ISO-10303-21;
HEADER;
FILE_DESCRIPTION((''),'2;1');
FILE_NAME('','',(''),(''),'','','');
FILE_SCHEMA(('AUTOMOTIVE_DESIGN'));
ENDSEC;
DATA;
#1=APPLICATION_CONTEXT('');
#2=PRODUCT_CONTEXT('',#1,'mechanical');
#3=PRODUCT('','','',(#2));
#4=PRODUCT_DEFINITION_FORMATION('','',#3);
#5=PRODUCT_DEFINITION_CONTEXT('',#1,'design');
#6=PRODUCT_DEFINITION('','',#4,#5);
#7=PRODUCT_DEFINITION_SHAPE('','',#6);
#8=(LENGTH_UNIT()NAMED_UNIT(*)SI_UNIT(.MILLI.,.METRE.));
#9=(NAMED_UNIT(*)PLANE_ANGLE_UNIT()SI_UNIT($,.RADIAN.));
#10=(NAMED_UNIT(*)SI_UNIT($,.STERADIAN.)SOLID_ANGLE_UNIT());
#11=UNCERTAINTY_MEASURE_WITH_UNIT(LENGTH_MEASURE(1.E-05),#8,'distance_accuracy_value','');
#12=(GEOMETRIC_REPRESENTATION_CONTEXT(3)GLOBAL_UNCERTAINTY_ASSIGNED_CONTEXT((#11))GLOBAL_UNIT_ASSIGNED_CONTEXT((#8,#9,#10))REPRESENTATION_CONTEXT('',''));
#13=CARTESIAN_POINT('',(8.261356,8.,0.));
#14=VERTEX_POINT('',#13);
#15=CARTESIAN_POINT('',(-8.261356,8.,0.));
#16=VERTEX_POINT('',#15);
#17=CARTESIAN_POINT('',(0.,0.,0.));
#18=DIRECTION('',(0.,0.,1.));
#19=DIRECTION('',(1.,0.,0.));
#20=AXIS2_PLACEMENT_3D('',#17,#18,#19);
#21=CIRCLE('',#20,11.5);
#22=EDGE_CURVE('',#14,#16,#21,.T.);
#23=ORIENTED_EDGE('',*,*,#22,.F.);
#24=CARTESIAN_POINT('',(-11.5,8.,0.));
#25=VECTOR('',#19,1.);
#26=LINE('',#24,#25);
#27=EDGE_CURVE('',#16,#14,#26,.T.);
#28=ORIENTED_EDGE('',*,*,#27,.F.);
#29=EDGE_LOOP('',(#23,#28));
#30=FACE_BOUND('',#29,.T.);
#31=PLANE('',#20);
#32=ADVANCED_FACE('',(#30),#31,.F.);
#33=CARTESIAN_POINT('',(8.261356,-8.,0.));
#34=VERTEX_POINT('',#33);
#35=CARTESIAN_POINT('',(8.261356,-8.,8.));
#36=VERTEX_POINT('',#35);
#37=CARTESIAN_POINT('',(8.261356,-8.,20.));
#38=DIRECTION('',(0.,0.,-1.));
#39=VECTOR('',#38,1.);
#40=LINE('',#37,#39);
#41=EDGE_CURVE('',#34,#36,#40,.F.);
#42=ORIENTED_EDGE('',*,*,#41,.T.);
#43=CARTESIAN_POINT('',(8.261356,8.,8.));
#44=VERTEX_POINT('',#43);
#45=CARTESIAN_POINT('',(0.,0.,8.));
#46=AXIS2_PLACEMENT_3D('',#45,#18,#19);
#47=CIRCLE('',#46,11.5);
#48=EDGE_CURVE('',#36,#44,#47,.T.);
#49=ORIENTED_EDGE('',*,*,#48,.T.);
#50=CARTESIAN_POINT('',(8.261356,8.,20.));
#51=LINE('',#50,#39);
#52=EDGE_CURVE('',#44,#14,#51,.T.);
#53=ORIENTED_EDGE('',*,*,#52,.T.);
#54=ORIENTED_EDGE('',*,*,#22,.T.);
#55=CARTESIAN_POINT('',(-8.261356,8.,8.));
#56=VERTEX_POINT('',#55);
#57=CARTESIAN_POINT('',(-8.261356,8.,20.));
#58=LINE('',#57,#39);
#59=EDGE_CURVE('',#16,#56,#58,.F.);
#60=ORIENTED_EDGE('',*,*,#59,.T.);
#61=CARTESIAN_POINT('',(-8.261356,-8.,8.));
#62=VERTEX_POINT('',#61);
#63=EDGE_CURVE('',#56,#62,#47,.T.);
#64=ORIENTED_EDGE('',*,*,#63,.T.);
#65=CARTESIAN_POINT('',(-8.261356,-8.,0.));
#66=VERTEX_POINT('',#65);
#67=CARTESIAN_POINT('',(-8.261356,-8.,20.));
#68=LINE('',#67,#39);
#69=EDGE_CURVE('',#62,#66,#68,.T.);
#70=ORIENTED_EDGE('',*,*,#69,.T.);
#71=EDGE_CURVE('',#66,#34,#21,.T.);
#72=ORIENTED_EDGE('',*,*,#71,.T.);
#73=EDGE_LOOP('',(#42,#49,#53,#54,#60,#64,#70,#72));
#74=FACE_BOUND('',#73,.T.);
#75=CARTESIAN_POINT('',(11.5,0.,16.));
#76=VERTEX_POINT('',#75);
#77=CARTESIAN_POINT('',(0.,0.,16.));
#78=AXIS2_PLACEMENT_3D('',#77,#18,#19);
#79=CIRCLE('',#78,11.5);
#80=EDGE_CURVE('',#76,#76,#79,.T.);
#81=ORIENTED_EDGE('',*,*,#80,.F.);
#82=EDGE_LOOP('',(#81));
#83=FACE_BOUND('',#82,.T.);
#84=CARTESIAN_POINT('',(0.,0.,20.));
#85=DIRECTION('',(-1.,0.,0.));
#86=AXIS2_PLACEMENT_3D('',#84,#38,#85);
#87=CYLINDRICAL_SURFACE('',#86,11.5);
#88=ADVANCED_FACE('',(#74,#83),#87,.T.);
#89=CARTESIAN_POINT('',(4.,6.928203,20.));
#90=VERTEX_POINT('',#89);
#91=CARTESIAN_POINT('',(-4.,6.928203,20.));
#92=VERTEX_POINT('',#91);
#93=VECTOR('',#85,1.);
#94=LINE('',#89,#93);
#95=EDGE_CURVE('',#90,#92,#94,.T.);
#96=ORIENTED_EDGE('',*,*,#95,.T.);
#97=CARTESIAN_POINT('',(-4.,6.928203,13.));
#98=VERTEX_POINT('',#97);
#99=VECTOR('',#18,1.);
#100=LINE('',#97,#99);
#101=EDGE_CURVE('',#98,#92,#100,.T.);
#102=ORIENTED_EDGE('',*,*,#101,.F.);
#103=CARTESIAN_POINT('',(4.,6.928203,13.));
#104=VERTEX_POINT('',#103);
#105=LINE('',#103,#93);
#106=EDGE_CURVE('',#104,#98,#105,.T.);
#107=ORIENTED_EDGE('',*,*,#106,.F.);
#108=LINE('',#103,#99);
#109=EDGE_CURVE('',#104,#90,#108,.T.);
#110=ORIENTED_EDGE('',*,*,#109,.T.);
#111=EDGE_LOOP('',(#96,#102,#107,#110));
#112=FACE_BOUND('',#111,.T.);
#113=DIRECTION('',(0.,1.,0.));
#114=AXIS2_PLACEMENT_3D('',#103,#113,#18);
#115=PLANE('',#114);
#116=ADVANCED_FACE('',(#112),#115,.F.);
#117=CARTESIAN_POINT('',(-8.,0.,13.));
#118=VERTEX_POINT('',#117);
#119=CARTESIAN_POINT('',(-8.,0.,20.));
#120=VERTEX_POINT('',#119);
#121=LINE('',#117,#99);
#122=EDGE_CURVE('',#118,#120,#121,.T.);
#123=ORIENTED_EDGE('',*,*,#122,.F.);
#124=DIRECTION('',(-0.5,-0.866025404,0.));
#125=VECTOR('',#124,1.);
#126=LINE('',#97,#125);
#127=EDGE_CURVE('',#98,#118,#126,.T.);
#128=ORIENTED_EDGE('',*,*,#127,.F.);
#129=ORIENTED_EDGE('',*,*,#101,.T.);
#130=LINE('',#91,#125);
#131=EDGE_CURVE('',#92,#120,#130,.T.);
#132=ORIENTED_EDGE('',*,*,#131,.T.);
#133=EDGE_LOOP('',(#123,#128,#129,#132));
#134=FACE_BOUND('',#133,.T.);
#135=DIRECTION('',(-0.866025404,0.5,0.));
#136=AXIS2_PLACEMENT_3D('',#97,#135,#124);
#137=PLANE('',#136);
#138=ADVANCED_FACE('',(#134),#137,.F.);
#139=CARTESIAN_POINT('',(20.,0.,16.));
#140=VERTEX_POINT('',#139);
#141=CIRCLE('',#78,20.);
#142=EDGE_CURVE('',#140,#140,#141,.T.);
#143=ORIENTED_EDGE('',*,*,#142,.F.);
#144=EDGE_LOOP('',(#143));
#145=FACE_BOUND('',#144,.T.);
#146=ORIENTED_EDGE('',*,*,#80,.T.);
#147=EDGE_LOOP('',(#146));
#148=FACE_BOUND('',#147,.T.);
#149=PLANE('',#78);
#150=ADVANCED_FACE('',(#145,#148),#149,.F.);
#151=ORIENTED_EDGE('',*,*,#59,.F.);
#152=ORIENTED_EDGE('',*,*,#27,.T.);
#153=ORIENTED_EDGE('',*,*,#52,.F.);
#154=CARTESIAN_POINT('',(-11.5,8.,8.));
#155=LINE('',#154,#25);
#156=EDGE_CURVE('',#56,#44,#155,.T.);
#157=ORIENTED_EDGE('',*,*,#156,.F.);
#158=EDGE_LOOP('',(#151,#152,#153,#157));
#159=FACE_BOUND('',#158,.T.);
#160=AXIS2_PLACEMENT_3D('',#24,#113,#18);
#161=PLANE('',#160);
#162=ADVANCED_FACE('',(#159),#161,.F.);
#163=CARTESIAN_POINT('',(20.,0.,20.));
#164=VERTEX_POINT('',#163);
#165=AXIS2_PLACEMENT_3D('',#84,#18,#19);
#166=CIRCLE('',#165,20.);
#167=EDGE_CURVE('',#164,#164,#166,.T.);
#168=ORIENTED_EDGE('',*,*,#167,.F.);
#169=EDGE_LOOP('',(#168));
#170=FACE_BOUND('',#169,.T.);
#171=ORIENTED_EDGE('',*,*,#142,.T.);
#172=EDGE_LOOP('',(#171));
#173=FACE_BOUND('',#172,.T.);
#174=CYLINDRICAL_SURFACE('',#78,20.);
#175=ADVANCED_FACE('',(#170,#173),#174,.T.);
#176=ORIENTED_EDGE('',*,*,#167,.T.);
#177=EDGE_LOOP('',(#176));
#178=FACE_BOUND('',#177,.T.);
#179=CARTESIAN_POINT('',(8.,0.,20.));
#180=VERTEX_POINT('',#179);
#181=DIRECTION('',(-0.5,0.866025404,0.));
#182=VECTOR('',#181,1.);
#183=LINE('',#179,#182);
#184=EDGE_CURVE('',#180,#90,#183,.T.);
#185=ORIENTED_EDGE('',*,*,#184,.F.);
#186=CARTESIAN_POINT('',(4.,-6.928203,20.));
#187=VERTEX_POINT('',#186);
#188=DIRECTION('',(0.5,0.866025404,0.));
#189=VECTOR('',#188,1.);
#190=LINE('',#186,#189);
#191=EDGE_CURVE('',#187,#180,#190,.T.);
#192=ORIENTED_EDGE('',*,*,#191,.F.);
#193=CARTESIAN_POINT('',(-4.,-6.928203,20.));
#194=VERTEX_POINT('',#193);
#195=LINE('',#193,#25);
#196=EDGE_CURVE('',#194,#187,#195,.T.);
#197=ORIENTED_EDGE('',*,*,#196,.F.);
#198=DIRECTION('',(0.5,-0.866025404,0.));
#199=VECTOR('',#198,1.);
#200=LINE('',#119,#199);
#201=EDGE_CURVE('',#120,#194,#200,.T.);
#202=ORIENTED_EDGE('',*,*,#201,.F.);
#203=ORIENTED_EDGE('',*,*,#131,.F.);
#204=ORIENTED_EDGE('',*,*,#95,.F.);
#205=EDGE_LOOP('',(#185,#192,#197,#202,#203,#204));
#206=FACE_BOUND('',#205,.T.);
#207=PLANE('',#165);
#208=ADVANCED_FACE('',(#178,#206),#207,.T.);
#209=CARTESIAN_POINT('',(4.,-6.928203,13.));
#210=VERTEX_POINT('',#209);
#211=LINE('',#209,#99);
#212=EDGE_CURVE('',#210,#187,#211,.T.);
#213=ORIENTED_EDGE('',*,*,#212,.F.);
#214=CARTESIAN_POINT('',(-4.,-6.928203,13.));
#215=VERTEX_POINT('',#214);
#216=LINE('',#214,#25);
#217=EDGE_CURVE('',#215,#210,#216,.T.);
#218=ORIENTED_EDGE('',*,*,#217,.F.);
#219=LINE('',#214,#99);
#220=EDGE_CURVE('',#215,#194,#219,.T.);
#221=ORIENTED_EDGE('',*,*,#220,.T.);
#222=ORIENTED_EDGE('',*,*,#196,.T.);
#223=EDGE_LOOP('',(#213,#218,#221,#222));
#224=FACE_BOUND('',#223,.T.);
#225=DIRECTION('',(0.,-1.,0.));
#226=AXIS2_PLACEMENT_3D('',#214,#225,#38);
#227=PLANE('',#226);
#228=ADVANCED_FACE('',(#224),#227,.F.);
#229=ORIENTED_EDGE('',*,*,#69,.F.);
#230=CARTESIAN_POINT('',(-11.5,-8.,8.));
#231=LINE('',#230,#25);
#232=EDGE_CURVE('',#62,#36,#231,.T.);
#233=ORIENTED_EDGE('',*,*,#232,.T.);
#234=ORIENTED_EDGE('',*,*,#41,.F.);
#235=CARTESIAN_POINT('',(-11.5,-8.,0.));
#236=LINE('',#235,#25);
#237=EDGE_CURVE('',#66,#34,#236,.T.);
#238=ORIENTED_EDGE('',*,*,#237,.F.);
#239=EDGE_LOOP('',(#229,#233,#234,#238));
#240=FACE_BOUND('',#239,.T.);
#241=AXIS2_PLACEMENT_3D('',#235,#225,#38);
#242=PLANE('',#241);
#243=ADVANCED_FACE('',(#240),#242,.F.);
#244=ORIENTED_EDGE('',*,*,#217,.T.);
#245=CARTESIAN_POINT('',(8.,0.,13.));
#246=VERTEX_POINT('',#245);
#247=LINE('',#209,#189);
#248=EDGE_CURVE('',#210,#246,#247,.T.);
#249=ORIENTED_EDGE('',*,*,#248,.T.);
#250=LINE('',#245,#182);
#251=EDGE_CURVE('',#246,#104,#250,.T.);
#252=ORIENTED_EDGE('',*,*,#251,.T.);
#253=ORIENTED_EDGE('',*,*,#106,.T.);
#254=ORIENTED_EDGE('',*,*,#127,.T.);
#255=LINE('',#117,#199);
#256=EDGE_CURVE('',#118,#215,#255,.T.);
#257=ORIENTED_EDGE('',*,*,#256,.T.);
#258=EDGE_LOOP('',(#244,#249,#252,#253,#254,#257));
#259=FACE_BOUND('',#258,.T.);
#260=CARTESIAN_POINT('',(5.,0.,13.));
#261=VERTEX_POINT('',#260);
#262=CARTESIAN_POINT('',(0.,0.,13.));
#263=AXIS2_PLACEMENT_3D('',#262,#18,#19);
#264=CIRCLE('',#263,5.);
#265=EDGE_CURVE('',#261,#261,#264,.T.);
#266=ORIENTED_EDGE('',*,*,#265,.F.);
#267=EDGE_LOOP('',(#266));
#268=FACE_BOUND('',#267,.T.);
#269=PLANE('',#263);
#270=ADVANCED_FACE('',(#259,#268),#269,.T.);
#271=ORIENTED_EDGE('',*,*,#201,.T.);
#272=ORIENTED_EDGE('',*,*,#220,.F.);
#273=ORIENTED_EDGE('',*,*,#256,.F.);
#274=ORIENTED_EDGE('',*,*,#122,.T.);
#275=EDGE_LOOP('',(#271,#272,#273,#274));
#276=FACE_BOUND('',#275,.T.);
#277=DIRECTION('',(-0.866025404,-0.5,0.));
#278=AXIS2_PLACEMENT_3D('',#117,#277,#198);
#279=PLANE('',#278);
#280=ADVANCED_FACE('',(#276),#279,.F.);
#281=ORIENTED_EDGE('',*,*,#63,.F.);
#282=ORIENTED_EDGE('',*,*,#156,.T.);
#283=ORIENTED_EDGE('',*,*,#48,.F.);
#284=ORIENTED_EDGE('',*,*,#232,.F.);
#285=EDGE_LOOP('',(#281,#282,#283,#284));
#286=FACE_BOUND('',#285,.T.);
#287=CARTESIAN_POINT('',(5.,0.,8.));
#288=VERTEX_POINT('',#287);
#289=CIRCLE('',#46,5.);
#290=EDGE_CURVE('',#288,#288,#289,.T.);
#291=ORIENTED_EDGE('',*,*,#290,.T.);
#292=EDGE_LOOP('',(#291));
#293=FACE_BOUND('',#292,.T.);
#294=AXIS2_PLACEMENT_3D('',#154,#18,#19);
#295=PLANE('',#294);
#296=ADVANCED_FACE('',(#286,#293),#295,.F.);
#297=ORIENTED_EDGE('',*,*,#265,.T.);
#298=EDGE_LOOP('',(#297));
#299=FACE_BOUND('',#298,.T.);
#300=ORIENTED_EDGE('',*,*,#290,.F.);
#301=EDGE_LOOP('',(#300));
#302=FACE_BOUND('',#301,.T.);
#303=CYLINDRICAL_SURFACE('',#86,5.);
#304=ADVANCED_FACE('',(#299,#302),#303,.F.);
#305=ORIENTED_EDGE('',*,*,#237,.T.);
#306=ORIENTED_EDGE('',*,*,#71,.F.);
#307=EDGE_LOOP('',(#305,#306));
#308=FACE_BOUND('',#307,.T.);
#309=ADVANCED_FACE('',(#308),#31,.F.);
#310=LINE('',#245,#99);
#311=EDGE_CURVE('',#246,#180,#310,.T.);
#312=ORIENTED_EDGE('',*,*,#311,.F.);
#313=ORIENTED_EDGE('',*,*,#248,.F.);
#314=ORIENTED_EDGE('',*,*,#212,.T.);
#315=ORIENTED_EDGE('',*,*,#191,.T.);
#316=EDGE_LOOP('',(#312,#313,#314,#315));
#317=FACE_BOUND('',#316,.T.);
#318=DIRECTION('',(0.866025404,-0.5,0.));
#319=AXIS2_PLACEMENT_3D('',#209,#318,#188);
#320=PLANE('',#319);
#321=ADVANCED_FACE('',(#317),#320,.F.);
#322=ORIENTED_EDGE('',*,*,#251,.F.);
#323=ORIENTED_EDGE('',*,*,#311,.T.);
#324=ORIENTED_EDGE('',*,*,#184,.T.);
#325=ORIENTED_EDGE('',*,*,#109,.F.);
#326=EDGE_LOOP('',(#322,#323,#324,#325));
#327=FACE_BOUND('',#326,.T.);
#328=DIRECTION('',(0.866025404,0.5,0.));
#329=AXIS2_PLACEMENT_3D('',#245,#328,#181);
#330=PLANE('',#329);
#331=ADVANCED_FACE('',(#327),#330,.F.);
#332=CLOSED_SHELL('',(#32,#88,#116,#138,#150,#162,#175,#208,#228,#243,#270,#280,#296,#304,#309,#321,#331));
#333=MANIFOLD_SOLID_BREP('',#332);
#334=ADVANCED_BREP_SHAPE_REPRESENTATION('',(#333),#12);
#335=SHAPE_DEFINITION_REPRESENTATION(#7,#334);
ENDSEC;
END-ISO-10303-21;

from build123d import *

# Parameters (mm, degrees)
SKETCH1_R               = 11.5
SKETCH1_R_2             = 5
BOSS_EXTRUDE1_DEPTH     = 20
CUT_EXTRUDE1_DEPTH      = 7
CUT_EXTRUDE2_DEPTH      = 26.777897509
CUT_EXTRUDE2_DEPTH_BACK = 26.777897509
SKETCH3_W               = 8
SKETCH3_H               = 16
BOSS_EXTRUDE2_START     = -4
SKETCH4_R               = 20
SKETCH4_R_2             = 11.5
BOSS_EXTRUDE2_DEPTH     = 4


with BuildPart() as part:
    # Sketch1 → Boss-Extrude1 (new body)
    with BuildSketch(Plane.XY):
        Circle(SKETCH1_R)
        Circle(SKETCH1_R_2, mode=Mode.SUBTRACT)
    extrude(amount=BOSS_EXTRUDE1_DEPTH)

    # Sketch2 → Cut-Extrude1 (cut)
    with BuildSketch(Plane.XY.offset(20)):
        Polygon((8, 0), (4, 6.92820323), (-4, 6.92820323), (-8, 0), (-4, -6.92820323), (4, -6.92820323), align=None)
    extrude(amount=-CUT_EXTRUDE1_DEPTH, mode=Mode.SUBTRACT)

    # Sketch3 → Cut-Extrude2 (cut, two sides: drawn at the far end of the back side and taken through both)
    with BuildSketch(Plane(origin=(0, 0, 0), x_dir=(0, 0, -1), z_dir=(1, 0, 0)).offset(-CUT_EXTRUDE2_DEPTH_BACK)):
        with Locations((-4, 0)):
            Rectangle(SKETCH3_W, SKETCH3_H)
    extrude(amount=CUT_EXTRUDE2_DEPTH + CUT_EXTRUDE2_DEPTH_BACK, mode=Mode.SUBTRACT)

    # Sketch4 → Boss-Extrude2 (add)
    with BuildSketch(Plane.XY.offset(20).offset(BOSS_EXTRUDE2_START)):
        Circle(SKETCH4_R)
        with Locations(Location((0, 0, 0), (0, 0, 135.920790152))):
            Circle(SKETCH4_R_2, mode=Mode.SUBTRACT)
    extrude(amount=BOSS_EXTRUDE2_DEPTH)


solid = part.part
